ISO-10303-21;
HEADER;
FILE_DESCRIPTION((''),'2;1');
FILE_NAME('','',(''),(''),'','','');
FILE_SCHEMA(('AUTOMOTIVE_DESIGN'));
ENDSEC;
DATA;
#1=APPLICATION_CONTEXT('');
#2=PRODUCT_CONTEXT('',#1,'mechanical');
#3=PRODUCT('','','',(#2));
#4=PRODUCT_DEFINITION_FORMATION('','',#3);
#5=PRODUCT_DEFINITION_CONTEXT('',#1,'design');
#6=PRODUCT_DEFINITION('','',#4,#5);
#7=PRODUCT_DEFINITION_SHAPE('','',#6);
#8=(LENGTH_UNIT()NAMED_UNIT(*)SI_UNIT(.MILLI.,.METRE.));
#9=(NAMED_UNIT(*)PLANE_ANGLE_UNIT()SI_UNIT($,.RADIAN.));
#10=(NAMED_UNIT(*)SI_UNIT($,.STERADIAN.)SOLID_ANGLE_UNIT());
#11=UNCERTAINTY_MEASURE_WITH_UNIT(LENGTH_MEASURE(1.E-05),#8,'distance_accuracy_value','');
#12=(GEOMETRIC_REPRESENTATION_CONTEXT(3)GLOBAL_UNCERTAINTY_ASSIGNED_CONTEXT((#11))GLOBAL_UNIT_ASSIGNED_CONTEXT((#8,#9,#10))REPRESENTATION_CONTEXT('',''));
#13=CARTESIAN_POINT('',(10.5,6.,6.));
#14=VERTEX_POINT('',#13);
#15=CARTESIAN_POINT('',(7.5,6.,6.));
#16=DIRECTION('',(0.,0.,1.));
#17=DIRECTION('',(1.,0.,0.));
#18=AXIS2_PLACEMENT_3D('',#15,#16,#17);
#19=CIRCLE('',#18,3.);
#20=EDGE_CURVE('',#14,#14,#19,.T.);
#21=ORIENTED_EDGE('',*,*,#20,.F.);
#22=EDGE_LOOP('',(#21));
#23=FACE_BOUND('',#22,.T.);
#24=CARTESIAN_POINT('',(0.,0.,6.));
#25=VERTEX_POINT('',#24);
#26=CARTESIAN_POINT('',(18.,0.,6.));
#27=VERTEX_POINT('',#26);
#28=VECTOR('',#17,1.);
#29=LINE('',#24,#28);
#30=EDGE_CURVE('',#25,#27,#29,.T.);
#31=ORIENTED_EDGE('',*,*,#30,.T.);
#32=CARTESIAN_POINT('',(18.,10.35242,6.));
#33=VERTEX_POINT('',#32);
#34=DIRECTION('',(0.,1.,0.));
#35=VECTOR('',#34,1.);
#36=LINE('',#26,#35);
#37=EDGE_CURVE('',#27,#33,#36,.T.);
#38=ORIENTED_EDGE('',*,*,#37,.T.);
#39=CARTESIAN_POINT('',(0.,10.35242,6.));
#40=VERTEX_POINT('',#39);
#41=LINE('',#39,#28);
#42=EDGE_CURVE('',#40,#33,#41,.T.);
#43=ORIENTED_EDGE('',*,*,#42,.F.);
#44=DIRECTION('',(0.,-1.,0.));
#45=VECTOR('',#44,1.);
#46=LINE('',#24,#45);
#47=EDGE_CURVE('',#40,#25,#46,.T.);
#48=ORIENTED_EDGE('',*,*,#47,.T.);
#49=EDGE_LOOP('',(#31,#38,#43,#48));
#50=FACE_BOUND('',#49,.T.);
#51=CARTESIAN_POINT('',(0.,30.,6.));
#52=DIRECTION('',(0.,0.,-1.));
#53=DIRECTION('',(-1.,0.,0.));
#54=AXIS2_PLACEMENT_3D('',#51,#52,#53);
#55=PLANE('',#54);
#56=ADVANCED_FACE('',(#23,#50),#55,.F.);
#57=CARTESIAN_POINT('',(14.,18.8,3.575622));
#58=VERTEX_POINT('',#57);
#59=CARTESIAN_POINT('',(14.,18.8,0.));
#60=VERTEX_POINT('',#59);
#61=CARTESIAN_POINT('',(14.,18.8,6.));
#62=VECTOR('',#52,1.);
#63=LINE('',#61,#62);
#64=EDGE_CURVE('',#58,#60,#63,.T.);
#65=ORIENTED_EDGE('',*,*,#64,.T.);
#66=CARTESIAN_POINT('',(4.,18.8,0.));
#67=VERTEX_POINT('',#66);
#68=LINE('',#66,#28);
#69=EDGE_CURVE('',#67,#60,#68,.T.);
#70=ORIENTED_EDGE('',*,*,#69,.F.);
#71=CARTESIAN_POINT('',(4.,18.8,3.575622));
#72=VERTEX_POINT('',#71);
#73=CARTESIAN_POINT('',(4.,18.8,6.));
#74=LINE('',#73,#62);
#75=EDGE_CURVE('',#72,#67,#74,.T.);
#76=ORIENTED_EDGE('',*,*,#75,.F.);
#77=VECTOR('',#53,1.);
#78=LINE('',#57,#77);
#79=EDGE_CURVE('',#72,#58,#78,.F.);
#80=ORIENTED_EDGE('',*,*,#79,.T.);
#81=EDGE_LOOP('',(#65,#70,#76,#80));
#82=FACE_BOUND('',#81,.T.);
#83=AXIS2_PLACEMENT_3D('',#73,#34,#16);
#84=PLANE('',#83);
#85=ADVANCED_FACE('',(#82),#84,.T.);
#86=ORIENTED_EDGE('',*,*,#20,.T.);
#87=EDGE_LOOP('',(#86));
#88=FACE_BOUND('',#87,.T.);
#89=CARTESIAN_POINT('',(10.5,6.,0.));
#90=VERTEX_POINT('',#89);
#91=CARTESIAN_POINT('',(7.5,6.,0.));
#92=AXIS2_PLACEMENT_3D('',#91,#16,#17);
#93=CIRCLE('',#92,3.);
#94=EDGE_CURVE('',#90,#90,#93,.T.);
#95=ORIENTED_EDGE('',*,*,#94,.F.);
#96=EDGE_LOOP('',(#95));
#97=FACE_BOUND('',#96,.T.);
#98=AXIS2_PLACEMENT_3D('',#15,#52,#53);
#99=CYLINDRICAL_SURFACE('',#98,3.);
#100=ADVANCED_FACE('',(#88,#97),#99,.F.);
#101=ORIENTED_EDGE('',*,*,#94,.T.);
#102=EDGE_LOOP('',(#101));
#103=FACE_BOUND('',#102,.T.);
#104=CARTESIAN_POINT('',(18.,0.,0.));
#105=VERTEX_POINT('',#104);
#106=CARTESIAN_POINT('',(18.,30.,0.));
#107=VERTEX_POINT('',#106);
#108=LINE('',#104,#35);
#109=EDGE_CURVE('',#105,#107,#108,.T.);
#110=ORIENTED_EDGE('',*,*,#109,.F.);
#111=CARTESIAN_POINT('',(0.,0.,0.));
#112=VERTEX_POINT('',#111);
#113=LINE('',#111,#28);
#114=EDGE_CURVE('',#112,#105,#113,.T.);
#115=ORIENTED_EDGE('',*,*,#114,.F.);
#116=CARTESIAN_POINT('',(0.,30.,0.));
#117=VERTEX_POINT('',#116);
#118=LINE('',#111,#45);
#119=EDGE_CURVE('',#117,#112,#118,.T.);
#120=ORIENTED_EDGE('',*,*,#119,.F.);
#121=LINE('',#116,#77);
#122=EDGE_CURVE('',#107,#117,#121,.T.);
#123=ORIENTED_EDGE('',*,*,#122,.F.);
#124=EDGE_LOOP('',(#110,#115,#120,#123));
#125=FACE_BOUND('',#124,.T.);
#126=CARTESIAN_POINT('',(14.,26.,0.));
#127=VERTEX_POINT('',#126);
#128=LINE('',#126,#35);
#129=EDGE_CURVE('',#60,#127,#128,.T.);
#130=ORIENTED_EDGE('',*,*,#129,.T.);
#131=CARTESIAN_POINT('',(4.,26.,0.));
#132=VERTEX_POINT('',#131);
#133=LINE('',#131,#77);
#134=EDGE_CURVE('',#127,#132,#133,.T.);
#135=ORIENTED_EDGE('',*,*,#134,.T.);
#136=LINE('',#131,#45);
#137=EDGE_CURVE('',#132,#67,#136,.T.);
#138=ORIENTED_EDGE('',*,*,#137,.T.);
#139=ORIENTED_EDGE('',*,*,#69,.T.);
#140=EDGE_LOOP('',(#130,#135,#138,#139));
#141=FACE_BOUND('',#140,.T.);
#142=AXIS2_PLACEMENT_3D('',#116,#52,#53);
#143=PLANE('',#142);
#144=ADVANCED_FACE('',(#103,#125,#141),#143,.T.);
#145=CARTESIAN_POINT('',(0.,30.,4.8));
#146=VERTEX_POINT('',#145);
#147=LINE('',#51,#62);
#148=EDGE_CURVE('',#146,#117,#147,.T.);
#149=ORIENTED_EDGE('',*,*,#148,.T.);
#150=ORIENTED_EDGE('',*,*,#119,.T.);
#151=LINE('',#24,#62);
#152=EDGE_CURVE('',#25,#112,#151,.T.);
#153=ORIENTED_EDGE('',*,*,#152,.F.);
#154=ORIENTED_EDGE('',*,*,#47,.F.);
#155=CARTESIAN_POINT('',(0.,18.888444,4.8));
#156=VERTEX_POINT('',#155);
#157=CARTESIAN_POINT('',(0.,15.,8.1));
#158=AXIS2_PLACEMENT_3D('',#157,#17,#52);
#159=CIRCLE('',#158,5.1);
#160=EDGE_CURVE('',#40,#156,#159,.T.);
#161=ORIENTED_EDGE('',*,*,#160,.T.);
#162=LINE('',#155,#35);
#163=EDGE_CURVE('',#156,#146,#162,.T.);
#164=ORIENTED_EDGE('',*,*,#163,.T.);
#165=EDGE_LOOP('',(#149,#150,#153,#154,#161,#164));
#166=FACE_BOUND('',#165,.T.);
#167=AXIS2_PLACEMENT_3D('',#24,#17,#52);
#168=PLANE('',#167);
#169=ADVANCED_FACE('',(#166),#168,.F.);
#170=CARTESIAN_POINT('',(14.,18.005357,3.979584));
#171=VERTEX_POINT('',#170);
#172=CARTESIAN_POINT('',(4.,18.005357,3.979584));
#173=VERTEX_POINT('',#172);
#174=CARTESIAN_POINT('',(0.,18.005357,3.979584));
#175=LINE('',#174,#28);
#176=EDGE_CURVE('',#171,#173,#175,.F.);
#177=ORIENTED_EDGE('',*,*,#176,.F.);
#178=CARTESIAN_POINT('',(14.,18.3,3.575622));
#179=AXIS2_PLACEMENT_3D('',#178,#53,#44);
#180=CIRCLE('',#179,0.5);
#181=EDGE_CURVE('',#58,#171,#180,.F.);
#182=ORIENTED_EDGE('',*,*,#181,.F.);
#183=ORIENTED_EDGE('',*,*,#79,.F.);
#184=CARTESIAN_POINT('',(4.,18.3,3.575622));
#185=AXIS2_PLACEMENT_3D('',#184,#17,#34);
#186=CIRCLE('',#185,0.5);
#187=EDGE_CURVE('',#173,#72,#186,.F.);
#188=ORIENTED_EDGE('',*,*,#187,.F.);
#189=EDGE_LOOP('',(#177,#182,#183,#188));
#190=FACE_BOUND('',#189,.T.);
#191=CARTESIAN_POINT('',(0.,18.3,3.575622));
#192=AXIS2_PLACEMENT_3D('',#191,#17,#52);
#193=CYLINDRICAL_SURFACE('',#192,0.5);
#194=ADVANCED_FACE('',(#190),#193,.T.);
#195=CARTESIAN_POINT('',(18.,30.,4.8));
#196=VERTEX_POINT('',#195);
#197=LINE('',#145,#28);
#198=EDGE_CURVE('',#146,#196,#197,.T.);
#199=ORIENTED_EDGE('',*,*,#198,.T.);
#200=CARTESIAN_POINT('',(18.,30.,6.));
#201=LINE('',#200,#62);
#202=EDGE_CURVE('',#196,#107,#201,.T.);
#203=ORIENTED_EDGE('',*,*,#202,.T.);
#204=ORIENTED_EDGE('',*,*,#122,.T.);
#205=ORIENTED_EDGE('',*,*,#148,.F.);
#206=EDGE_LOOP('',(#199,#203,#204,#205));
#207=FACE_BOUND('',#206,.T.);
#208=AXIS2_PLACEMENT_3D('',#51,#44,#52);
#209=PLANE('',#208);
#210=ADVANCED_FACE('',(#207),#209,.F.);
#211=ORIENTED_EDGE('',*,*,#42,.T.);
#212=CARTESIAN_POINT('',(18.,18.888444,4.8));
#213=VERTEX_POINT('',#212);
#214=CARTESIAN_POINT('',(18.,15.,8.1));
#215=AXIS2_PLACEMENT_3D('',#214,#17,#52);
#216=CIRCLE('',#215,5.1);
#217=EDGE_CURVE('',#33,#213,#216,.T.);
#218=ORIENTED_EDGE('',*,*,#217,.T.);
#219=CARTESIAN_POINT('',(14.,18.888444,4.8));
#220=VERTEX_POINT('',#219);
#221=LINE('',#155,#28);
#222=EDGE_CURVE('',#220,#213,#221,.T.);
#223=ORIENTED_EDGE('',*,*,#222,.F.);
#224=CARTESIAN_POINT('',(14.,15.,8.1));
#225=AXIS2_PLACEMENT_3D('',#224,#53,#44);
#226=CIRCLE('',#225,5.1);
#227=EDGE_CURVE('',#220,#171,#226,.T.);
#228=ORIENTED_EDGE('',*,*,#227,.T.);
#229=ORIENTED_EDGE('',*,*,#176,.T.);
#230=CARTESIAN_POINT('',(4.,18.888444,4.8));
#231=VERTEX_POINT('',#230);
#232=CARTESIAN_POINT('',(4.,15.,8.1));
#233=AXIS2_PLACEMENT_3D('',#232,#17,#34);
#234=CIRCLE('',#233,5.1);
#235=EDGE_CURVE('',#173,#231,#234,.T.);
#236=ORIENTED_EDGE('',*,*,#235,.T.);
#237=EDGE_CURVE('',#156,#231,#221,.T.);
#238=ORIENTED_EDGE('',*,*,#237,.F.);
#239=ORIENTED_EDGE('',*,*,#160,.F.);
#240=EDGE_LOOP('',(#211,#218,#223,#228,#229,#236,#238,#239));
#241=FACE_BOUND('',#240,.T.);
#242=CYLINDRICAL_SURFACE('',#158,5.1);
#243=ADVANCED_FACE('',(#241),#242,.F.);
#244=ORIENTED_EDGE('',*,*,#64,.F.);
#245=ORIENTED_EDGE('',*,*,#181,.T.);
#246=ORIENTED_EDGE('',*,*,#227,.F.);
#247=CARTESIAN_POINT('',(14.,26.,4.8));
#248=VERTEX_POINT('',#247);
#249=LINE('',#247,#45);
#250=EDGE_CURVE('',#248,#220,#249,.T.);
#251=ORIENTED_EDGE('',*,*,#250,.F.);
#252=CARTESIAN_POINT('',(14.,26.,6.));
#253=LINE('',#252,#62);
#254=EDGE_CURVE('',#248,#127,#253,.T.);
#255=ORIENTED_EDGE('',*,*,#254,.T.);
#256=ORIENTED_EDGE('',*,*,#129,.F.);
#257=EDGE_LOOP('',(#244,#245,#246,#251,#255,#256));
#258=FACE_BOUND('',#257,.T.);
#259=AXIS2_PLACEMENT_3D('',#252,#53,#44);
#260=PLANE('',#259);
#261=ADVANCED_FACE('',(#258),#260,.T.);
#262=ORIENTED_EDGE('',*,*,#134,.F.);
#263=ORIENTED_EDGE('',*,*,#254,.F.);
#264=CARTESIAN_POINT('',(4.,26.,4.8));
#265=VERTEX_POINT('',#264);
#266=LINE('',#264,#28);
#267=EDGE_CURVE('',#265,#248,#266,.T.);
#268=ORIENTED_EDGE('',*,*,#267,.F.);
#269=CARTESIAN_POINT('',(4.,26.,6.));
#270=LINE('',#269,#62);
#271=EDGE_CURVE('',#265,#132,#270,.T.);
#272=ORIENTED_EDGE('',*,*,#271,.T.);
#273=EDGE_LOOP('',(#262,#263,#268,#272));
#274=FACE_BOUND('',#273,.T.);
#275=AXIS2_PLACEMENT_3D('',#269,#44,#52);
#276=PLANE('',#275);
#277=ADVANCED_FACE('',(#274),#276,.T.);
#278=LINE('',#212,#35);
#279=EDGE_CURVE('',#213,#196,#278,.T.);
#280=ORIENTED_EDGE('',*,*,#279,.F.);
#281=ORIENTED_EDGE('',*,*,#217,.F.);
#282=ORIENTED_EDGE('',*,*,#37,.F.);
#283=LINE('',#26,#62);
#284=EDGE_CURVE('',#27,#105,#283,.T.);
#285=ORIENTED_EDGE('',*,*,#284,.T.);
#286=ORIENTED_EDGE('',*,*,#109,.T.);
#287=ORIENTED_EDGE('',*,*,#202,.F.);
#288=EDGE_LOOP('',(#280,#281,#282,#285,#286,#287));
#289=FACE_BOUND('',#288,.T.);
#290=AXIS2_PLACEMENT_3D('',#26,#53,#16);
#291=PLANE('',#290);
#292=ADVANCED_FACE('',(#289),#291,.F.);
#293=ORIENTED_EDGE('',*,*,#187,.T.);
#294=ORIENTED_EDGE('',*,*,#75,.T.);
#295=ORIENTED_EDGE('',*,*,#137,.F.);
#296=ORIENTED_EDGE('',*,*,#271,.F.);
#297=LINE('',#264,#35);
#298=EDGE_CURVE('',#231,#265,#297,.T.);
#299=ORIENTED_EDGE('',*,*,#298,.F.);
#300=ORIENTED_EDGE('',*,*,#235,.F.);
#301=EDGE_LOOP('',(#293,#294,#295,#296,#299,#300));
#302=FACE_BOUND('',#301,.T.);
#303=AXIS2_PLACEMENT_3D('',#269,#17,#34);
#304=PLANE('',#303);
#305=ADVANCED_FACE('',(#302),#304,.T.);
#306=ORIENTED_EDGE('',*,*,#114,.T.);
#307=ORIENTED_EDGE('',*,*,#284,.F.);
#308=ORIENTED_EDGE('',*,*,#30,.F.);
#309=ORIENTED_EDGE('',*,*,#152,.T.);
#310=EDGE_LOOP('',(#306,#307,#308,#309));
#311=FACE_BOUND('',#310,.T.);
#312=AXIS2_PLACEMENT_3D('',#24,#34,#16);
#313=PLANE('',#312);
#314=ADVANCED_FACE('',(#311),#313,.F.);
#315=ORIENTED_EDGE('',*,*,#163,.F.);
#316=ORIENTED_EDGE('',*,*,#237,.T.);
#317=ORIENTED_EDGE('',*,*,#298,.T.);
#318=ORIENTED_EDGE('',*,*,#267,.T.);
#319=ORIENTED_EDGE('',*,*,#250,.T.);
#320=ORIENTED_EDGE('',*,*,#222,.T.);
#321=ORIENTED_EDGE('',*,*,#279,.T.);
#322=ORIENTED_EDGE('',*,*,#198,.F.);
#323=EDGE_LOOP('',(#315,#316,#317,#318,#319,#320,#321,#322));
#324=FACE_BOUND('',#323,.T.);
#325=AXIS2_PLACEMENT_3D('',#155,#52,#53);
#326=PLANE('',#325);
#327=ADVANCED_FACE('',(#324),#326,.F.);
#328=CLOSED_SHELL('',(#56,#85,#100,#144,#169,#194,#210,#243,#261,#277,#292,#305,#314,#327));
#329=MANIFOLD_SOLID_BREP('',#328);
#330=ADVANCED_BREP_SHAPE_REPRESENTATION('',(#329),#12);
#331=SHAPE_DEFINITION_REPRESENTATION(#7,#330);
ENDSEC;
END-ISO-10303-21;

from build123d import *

# Parameters (mm, degrees)
SKETCH1_W           = 18
SKETCH1_H           = 30
SKETCH1_R           = 3
SKETCH1_W_2         = 10
SKETCH1_H_2         = 7.2
BOSS_EXTRUDE1_DEPTH = 6
CUT_EXTRUDE1_DEPTH  = 19
FILLET1_R           = 0.5


with BuildPart() as part:
    # Sketch1 → Boss-Extrude1 (new body)
    with BuildSketch(Plane.XY):
        with Locations((9, 15)):
            Rectangle(SKETCH1_W, SKETCH1_H)
        with Locations((7.5, 6)):
            Circle(SKETCH1_R, mode=Mode.SUBTRACT)
        with Locations((9, 22.4)):
            Rectangle(SKETCH1_W_2, SKETCH1_H_2, mode=Mode.SUBTRACT)
    extrude(amount=BOSS_EXTRUDE1_DEPTH)

    # Sketch2 → Cut-Extrude1 (cut, through all)
    with BuildSketch(Plane(origin=(18, 0, 0), x_dir=(0, 0, -1), z_dir=(1, 0, 0))):
        with BuildLine():
            Line((-4.8, 18.888444419), (-4.8, 30))
            Line((-4.8, 30), (-6, 30))
            Line((-6, 30), (-6, 10.352419985))
            ThreePointArc((-6, 10.352419985), (-3.049660577, 14.29001992), (-4.8, 18.888444419))
        make_face()
    extrude(amount=-CUT_EXTRUDE1_DEPTH, mode=Mode.SUBTRACT)

    # Fillet1
    fillet1_edges = [part.edges().sort_by_distance(p)[0] for p in [
        (9, 18.8, 4.69852973),
    ]]
    fillet(fillet1_edges, radius=FILLET1_R)


solid = part.part
